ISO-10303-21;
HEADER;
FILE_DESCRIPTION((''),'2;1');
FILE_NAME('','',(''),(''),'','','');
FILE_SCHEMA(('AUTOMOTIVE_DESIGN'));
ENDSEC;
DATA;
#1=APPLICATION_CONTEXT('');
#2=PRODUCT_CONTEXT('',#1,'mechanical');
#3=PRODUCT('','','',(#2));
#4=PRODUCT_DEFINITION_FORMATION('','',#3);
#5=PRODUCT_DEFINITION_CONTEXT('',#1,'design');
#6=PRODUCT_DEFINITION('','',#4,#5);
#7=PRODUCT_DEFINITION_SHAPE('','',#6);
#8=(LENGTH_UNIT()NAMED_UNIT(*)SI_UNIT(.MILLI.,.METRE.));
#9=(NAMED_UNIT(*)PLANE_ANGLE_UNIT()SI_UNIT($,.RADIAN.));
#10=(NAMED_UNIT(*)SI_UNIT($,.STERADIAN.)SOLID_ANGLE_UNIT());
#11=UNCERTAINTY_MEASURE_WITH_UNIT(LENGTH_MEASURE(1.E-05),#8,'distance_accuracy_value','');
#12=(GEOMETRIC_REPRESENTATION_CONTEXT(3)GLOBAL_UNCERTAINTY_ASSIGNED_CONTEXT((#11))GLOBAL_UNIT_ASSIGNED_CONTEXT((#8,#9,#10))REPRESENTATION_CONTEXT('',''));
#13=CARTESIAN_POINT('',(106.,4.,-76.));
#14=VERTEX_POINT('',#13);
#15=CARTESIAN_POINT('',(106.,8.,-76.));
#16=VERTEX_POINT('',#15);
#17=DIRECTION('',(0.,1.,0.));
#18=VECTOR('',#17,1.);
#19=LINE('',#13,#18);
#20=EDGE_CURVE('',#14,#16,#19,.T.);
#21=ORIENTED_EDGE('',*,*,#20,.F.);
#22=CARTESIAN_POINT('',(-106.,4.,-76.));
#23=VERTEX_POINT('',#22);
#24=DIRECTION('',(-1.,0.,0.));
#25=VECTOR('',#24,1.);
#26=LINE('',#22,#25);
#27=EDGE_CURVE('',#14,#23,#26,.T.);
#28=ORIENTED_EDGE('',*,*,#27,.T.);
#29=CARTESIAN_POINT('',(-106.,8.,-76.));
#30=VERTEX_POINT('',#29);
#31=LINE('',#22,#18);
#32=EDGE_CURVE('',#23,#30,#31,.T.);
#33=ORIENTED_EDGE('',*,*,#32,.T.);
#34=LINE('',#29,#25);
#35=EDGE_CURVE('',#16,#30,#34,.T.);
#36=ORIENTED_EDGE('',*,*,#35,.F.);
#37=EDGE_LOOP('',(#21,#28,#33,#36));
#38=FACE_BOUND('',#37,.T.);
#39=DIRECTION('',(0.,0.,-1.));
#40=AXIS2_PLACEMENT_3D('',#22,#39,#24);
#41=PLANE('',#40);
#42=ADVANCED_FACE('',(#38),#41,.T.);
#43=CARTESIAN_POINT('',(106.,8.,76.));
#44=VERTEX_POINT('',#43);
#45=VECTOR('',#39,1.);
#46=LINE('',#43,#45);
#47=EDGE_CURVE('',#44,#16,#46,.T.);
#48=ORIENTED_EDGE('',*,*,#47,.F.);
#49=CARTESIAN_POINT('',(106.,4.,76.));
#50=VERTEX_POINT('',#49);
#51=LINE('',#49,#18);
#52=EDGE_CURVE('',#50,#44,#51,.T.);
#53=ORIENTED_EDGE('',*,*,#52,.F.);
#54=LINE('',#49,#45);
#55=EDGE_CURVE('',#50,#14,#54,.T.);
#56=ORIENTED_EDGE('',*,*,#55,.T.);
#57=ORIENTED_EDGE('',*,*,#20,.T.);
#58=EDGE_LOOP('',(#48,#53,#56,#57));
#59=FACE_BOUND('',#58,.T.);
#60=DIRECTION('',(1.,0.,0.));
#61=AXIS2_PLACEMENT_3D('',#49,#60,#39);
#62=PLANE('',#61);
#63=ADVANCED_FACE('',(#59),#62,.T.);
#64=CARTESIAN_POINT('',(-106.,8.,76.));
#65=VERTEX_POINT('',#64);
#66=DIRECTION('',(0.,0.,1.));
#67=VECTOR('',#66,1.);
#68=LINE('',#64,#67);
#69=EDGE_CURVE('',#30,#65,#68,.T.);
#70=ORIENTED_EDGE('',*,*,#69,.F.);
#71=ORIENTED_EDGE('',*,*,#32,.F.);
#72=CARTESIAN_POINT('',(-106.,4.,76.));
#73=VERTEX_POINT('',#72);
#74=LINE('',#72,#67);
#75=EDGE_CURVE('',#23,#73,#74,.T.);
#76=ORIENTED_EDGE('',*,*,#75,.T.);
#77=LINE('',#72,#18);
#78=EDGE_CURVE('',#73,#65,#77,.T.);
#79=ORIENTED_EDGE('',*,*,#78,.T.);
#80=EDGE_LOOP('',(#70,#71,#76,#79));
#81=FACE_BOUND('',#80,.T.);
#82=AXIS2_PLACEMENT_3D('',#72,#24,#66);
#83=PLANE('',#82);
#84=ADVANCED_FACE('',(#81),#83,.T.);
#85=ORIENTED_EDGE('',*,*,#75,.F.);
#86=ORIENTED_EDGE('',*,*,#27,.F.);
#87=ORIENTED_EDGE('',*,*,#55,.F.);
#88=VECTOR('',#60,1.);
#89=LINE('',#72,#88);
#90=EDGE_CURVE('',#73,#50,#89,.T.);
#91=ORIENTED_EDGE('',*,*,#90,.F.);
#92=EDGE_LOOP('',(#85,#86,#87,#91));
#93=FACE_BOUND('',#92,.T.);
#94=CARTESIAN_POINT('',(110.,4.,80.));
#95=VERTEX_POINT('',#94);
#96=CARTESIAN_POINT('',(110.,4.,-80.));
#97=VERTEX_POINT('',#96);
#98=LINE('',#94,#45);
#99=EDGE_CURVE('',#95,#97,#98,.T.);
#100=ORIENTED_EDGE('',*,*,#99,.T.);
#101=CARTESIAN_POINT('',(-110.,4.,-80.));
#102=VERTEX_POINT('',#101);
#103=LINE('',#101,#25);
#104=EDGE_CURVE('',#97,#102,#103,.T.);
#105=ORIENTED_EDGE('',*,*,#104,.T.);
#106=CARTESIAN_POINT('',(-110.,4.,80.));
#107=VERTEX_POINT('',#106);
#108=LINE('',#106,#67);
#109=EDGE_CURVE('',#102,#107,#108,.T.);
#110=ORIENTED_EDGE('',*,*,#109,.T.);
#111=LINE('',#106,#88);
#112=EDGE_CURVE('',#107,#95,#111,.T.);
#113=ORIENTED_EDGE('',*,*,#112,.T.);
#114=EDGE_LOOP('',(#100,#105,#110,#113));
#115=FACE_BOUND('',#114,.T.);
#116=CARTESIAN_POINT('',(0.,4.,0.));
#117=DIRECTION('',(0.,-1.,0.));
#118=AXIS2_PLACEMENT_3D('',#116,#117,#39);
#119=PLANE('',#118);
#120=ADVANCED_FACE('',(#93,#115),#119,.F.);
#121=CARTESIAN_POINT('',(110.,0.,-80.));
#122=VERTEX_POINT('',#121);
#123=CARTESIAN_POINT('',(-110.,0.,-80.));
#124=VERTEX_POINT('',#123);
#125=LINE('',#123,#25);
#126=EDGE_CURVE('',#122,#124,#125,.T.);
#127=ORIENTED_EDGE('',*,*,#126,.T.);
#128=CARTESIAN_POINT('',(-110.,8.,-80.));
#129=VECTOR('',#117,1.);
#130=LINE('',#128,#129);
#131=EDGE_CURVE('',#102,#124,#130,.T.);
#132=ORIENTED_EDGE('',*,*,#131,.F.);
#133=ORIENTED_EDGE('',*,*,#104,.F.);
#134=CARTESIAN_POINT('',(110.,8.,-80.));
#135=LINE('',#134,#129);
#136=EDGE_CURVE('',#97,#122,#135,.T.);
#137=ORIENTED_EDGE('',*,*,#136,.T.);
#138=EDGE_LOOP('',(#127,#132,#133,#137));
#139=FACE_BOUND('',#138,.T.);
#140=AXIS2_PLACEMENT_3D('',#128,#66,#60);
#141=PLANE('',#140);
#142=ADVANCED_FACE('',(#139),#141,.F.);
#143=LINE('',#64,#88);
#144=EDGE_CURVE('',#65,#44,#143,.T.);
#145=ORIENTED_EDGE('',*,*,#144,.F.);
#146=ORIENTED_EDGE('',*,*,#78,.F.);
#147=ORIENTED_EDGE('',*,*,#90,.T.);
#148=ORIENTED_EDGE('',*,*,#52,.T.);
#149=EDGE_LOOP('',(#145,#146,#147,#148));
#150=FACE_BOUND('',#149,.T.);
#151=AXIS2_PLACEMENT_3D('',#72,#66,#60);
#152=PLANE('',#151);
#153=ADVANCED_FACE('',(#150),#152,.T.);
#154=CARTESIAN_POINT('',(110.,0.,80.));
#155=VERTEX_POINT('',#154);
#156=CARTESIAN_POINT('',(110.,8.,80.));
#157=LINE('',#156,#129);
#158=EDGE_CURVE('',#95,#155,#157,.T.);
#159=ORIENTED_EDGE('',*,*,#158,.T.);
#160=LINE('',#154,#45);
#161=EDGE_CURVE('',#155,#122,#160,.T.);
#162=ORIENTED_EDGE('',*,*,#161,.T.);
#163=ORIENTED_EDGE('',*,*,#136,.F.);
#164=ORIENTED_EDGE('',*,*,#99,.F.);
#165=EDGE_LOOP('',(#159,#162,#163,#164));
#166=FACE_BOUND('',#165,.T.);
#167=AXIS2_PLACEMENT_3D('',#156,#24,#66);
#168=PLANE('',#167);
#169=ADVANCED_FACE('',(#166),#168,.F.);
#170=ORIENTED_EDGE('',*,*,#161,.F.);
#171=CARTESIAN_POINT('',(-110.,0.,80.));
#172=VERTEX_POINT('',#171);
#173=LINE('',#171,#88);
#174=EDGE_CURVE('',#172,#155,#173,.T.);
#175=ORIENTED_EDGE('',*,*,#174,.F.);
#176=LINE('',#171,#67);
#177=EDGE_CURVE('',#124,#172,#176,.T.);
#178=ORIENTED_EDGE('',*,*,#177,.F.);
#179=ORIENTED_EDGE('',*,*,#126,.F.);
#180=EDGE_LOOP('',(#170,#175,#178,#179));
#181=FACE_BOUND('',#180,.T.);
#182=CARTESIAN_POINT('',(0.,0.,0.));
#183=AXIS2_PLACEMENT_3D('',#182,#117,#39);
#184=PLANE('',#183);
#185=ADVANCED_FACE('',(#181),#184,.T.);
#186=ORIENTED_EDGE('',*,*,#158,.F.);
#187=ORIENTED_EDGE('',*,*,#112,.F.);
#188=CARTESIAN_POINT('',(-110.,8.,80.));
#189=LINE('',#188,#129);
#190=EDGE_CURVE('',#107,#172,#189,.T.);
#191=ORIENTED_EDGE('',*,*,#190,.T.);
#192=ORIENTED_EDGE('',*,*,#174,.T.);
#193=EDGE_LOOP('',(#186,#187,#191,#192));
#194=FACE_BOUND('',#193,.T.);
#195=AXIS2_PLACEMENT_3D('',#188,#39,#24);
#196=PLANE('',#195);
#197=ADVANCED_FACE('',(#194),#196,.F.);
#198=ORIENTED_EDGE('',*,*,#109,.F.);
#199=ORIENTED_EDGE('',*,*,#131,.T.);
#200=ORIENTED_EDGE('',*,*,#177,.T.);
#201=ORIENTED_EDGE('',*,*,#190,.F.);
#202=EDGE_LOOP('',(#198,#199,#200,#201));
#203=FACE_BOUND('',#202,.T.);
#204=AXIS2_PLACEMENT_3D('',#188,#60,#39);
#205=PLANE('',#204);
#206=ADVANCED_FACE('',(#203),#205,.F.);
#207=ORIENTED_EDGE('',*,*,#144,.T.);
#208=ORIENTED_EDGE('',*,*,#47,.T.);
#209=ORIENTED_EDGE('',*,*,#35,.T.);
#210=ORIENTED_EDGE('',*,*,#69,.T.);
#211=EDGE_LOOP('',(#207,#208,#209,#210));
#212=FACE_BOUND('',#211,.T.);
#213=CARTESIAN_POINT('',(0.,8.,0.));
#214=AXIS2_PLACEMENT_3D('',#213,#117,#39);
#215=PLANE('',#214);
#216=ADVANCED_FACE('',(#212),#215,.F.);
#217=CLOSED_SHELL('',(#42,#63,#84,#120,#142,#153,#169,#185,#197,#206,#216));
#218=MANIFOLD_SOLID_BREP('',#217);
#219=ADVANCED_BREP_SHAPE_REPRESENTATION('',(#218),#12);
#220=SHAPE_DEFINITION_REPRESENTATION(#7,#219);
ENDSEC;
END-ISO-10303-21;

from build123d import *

# Parameters (mm, degrees)
SKETCH1_W           = 220
SKETCH1_H           = 160
BOSS_EXTRUDE1_DEPTH = 8
SKETCH2_W           = 220
SKETCH2_H           = 160
SKETCH2_W_2         = 212
SKETCH2_H_2         = 152
CUT_EXTRUDE1_DEPTH  = 4


with BuildPart() as part:
    # Sketch1 → Boss-Extrude1 (new body)
    with BuildSketch(Plane(origin=(0, 0, 0), x_dir=(1, 0, 0), z_dir=(0, 1, 0))):
        Rectangle(SKETCH1_W, SKETCH1_H)
    extrude(amount=BOSS_EXTRUDE1_DEPTH)

    # Sketch2 → Cut-Extrude1 (cut)
    with BuildSketch(Plane(origin=(0, 8, 0), x_dir=(1, 0, 0), z_dir=(0, 1, 0))):
        Rectangle(SKETCH2_W, SKETCH2_H)
        Rectangle(SKETCH2_W_2, SKETCH2_H_2, mode=Mode.SUBTRACT)
    extrude(amount=-CUT_EXTRUDE1_DEPTH, mode=Mode.SUBTRACT)


solid = part.part
